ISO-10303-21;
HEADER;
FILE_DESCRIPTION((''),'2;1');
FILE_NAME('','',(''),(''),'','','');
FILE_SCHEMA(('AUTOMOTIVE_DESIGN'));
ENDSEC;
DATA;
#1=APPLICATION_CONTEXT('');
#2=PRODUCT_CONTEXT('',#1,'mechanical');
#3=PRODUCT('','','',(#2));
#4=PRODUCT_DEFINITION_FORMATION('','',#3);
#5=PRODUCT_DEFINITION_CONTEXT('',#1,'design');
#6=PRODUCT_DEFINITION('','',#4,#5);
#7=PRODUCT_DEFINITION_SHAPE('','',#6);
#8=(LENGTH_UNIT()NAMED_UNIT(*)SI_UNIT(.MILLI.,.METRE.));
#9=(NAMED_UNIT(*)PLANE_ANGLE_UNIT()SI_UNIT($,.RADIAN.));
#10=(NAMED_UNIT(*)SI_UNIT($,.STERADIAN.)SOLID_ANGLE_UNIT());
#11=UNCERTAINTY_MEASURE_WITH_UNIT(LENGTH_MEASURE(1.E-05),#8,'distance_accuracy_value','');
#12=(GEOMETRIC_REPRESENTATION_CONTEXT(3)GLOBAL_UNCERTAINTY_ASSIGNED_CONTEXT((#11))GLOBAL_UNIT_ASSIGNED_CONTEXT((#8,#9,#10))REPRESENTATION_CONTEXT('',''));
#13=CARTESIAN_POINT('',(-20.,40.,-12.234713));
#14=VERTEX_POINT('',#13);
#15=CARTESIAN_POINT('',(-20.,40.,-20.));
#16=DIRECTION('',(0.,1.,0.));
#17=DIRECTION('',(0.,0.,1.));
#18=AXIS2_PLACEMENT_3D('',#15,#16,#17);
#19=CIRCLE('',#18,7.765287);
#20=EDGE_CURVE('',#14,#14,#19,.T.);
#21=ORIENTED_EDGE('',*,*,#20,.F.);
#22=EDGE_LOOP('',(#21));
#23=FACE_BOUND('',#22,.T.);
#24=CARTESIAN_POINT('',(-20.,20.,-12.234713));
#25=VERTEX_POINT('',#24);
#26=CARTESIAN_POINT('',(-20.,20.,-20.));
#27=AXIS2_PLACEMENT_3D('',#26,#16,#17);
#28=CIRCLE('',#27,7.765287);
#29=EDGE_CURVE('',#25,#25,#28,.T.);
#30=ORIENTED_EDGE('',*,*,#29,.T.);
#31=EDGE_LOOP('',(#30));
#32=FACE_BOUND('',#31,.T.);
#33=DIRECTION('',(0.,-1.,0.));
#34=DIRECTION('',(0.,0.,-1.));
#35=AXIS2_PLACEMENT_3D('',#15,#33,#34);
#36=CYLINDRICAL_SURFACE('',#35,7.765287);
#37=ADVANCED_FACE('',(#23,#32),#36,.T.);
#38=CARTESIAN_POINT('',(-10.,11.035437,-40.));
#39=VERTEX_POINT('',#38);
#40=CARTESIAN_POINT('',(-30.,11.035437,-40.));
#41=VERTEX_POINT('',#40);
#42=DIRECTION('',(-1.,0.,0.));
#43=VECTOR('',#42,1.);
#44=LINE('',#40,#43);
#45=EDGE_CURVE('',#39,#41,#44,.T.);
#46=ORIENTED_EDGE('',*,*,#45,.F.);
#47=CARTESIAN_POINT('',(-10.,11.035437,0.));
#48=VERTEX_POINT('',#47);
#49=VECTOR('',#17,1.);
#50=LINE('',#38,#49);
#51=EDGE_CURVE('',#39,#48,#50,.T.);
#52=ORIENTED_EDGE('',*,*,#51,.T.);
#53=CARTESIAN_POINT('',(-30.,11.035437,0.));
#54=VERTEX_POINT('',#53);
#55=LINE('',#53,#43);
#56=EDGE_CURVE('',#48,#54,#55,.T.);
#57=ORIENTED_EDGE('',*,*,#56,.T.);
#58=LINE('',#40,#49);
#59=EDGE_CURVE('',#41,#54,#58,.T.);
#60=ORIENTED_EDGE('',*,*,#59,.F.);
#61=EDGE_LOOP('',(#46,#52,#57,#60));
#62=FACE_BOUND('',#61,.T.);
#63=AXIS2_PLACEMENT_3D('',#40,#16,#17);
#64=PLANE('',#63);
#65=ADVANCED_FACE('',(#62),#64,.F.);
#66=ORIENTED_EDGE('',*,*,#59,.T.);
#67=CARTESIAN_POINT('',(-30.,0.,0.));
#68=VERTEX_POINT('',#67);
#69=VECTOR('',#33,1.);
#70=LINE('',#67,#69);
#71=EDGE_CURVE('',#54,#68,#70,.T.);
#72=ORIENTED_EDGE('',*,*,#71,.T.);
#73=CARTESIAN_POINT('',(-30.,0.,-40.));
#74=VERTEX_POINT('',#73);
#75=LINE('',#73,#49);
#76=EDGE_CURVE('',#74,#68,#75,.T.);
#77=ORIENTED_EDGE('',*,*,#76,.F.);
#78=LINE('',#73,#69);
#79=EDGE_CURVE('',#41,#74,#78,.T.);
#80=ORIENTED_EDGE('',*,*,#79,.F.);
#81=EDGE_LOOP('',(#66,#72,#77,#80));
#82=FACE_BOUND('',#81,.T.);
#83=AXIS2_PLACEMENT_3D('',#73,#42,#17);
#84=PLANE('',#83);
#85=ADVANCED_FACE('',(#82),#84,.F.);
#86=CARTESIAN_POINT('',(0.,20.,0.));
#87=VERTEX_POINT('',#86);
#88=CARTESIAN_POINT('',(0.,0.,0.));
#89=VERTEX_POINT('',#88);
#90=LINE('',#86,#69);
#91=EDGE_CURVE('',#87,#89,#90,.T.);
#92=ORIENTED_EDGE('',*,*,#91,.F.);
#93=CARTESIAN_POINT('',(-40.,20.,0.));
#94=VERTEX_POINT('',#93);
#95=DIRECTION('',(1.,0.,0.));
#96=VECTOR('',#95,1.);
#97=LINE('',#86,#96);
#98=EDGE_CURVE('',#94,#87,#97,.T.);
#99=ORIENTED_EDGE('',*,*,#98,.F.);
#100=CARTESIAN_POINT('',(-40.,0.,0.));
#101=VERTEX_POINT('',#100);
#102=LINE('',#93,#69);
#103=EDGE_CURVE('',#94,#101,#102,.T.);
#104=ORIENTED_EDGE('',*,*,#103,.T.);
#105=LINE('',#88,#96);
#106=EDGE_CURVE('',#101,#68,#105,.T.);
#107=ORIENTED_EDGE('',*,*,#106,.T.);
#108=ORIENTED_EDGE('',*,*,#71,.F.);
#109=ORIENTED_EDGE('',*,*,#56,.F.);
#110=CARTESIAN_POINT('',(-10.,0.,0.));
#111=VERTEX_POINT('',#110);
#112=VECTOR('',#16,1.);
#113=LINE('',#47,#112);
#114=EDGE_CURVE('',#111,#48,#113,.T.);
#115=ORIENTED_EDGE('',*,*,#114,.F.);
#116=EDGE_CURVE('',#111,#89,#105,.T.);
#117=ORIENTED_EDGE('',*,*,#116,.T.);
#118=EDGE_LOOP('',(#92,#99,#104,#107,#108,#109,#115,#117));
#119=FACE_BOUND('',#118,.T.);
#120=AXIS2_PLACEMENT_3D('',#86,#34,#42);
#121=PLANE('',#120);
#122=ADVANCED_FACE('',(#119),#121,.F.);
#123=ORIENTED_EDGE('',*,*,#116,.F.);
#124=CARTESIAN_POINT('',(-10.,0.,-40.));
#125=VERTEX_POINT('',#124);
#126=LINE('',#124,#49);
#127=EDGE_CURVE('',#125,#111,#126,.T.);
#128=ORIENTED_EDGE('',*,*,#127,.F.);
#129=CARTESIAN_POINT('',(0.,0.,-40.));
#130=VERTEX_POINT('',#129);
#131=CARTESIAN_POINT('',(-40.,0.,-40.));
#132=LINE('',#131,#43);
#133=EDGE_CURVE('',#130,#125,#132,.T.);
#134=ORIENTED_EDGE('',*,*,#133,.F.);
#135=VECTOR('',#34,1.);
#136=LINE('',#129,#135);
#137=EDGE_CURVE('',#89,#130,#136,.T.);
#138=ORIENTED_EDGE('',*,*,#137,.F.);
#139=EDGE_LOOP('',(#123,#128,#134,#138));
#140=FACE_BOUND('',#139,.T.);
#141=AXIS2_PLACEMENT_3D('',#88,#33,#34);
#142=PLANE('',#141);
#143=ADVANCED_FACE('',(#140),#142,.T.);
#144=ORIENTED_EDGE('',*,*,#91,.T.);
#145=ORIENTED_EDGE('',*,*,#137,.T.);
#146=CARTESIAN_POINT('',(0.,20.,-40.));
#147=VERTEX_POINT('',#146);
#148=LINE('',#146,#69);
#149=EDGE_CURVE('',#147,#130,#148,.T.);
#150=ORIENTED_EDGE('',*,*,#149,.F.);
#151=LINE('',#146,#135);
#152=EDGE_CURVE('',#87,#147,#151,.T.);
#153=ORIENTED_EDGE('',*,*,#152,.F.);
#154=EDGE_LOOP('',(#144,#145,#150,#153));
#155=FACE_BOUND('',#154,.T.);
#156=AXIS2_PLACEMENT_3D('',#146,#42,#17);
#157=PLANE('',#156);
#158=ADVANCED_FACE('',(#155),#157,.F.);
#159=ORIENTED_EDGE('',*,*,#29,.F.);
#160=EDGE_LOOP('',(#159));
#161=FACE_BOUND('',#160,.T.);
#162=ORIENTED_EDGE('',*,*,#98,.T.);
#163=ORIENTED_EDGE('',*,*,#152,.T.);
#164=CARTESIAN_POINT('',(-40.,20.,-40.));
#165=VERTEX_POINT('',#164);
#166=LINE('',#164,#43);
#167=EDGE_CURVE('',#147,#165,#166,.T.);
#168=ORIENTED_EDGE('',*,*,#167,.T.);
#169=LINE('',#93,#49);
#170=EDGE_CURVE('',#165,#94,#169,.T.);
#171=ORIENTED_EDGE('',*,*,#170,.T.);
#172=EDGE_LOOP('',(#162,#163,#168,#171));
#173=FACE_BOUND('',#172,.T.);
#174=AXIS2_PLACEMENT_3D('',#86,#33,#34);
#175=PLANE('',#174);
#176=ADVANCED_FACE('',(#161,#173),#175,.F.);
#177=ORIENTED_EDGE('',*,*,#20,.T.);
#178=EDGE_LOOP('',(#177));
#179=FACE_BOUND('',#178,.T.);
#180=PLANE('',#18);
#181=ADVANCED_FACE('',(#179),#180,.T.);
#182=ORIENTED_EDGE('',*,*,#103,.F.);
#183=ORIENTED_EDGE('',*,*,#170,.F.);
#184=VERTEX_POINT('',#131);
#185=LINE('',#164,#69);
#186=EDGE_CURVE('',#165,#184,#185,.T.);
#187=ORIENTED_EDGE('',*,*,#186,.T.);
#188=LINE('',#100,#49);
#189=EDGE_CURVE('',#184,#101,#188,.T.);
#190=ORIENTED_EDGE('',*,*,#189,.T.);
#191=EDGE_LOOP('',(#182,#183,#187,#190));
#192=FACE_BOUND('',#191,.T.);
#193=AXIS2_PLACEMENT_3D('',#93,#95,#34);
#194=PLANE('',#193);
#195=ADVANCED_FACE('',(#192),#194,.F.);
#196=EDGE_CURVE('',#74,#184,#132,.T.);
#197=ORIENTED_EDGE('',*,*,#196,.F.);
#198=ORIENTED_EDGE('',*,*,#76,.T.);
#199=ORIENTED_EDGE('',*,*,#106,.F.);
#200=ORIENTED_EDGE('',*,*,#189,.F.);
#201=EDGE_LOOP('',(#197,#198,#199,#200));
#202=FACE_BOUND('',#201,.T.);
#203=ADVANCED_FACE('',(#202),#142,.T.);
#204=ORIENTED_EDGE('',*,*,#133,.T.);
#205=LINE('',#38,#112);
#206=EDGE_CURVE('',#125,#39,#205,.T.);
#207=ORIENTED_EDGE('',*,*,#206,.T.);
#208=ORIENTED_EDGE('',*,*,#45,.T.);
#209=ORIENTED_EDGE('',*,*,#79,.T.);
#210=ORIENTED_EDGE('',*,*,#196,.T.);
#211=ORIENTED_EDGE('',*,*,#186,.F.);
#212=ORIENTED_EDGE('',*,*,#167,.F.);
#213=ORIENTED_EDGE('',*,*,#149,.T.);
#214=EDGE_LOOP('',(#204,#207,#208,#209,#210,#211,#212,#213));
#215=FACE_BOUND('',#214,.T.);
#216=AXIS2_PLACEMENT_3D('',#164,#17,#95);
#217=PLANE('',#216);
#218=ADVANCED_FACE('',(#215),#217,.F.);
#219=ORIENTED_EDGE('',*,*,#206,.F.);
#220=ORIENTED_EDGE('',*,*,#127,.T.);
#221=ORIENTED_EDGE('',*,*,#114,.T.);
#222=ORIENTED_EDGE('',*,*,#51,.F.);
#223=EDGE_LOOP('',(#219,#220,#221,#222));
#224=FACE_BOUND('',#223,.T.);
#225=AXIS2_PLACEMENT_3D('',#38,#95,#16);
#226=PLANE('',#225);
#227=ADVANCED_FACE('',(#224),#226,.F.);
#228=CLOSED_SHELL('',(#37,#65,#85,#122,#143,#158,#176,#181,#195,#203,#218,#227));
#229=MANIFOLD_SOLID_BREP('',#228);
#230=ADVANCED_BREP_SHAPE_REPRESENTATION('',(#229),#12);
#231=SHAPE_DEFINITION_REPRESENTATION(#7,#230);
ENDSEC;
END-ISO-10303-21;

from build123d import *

# Parameters (mm, degrees)
SKETCH1_W           = 40
SKETCH1_H           = 40
BOSS_EXTRUDE1_DEPTH = 20
SKETCH2_W           = 20
SKETCH2_H           = 11.035436779
CUT_EXTRUDE1_DEPTH  = 61
SKETCH3_R           = 7.76528749
BOSS_EXTRUDE2_DEPTH = 20


with BuildPart() as part:
    # Sketch1 → Boss-Extrude1 (new body)
    with BuildSketch(Plane(origin=(0, 0, 0), x_dir=(1, 0, 0), z_dir=(0, 1, 0))):
        with Locations((-20, 20)):
            Rectangle(SKETCH1_W, SKETCH1_H)
    extrude(amount=BOSS_EXTRUDE1_DEPTH)

    # Sketch2 → Cut-Extrude1 (cut, through all)
    with BuildSketch(Plane.XY):
        with Locations((-20, 5.51771839)):
            Rectangle(SKETCH2_W, SKETCH2_H)
    extrude(amount=-CUT_EXTRUDE1_DEPTH, mode=Mode.SUBTRACT)

    # Sketch3 → Boss-Extrude2 (add)
    with BuildSketch(Plane(origin=(0, 20, 0), x_dir=(1, 0, 0), z_dir=(0, 1, 0))):
        with Locations(Location((-20, 20, 0), (0, 0, 270))):
            Circle(SKETCH3_R)
    extrude(amount=BOSS_EXTRUDE2_DEPTH)


solid = part.part
